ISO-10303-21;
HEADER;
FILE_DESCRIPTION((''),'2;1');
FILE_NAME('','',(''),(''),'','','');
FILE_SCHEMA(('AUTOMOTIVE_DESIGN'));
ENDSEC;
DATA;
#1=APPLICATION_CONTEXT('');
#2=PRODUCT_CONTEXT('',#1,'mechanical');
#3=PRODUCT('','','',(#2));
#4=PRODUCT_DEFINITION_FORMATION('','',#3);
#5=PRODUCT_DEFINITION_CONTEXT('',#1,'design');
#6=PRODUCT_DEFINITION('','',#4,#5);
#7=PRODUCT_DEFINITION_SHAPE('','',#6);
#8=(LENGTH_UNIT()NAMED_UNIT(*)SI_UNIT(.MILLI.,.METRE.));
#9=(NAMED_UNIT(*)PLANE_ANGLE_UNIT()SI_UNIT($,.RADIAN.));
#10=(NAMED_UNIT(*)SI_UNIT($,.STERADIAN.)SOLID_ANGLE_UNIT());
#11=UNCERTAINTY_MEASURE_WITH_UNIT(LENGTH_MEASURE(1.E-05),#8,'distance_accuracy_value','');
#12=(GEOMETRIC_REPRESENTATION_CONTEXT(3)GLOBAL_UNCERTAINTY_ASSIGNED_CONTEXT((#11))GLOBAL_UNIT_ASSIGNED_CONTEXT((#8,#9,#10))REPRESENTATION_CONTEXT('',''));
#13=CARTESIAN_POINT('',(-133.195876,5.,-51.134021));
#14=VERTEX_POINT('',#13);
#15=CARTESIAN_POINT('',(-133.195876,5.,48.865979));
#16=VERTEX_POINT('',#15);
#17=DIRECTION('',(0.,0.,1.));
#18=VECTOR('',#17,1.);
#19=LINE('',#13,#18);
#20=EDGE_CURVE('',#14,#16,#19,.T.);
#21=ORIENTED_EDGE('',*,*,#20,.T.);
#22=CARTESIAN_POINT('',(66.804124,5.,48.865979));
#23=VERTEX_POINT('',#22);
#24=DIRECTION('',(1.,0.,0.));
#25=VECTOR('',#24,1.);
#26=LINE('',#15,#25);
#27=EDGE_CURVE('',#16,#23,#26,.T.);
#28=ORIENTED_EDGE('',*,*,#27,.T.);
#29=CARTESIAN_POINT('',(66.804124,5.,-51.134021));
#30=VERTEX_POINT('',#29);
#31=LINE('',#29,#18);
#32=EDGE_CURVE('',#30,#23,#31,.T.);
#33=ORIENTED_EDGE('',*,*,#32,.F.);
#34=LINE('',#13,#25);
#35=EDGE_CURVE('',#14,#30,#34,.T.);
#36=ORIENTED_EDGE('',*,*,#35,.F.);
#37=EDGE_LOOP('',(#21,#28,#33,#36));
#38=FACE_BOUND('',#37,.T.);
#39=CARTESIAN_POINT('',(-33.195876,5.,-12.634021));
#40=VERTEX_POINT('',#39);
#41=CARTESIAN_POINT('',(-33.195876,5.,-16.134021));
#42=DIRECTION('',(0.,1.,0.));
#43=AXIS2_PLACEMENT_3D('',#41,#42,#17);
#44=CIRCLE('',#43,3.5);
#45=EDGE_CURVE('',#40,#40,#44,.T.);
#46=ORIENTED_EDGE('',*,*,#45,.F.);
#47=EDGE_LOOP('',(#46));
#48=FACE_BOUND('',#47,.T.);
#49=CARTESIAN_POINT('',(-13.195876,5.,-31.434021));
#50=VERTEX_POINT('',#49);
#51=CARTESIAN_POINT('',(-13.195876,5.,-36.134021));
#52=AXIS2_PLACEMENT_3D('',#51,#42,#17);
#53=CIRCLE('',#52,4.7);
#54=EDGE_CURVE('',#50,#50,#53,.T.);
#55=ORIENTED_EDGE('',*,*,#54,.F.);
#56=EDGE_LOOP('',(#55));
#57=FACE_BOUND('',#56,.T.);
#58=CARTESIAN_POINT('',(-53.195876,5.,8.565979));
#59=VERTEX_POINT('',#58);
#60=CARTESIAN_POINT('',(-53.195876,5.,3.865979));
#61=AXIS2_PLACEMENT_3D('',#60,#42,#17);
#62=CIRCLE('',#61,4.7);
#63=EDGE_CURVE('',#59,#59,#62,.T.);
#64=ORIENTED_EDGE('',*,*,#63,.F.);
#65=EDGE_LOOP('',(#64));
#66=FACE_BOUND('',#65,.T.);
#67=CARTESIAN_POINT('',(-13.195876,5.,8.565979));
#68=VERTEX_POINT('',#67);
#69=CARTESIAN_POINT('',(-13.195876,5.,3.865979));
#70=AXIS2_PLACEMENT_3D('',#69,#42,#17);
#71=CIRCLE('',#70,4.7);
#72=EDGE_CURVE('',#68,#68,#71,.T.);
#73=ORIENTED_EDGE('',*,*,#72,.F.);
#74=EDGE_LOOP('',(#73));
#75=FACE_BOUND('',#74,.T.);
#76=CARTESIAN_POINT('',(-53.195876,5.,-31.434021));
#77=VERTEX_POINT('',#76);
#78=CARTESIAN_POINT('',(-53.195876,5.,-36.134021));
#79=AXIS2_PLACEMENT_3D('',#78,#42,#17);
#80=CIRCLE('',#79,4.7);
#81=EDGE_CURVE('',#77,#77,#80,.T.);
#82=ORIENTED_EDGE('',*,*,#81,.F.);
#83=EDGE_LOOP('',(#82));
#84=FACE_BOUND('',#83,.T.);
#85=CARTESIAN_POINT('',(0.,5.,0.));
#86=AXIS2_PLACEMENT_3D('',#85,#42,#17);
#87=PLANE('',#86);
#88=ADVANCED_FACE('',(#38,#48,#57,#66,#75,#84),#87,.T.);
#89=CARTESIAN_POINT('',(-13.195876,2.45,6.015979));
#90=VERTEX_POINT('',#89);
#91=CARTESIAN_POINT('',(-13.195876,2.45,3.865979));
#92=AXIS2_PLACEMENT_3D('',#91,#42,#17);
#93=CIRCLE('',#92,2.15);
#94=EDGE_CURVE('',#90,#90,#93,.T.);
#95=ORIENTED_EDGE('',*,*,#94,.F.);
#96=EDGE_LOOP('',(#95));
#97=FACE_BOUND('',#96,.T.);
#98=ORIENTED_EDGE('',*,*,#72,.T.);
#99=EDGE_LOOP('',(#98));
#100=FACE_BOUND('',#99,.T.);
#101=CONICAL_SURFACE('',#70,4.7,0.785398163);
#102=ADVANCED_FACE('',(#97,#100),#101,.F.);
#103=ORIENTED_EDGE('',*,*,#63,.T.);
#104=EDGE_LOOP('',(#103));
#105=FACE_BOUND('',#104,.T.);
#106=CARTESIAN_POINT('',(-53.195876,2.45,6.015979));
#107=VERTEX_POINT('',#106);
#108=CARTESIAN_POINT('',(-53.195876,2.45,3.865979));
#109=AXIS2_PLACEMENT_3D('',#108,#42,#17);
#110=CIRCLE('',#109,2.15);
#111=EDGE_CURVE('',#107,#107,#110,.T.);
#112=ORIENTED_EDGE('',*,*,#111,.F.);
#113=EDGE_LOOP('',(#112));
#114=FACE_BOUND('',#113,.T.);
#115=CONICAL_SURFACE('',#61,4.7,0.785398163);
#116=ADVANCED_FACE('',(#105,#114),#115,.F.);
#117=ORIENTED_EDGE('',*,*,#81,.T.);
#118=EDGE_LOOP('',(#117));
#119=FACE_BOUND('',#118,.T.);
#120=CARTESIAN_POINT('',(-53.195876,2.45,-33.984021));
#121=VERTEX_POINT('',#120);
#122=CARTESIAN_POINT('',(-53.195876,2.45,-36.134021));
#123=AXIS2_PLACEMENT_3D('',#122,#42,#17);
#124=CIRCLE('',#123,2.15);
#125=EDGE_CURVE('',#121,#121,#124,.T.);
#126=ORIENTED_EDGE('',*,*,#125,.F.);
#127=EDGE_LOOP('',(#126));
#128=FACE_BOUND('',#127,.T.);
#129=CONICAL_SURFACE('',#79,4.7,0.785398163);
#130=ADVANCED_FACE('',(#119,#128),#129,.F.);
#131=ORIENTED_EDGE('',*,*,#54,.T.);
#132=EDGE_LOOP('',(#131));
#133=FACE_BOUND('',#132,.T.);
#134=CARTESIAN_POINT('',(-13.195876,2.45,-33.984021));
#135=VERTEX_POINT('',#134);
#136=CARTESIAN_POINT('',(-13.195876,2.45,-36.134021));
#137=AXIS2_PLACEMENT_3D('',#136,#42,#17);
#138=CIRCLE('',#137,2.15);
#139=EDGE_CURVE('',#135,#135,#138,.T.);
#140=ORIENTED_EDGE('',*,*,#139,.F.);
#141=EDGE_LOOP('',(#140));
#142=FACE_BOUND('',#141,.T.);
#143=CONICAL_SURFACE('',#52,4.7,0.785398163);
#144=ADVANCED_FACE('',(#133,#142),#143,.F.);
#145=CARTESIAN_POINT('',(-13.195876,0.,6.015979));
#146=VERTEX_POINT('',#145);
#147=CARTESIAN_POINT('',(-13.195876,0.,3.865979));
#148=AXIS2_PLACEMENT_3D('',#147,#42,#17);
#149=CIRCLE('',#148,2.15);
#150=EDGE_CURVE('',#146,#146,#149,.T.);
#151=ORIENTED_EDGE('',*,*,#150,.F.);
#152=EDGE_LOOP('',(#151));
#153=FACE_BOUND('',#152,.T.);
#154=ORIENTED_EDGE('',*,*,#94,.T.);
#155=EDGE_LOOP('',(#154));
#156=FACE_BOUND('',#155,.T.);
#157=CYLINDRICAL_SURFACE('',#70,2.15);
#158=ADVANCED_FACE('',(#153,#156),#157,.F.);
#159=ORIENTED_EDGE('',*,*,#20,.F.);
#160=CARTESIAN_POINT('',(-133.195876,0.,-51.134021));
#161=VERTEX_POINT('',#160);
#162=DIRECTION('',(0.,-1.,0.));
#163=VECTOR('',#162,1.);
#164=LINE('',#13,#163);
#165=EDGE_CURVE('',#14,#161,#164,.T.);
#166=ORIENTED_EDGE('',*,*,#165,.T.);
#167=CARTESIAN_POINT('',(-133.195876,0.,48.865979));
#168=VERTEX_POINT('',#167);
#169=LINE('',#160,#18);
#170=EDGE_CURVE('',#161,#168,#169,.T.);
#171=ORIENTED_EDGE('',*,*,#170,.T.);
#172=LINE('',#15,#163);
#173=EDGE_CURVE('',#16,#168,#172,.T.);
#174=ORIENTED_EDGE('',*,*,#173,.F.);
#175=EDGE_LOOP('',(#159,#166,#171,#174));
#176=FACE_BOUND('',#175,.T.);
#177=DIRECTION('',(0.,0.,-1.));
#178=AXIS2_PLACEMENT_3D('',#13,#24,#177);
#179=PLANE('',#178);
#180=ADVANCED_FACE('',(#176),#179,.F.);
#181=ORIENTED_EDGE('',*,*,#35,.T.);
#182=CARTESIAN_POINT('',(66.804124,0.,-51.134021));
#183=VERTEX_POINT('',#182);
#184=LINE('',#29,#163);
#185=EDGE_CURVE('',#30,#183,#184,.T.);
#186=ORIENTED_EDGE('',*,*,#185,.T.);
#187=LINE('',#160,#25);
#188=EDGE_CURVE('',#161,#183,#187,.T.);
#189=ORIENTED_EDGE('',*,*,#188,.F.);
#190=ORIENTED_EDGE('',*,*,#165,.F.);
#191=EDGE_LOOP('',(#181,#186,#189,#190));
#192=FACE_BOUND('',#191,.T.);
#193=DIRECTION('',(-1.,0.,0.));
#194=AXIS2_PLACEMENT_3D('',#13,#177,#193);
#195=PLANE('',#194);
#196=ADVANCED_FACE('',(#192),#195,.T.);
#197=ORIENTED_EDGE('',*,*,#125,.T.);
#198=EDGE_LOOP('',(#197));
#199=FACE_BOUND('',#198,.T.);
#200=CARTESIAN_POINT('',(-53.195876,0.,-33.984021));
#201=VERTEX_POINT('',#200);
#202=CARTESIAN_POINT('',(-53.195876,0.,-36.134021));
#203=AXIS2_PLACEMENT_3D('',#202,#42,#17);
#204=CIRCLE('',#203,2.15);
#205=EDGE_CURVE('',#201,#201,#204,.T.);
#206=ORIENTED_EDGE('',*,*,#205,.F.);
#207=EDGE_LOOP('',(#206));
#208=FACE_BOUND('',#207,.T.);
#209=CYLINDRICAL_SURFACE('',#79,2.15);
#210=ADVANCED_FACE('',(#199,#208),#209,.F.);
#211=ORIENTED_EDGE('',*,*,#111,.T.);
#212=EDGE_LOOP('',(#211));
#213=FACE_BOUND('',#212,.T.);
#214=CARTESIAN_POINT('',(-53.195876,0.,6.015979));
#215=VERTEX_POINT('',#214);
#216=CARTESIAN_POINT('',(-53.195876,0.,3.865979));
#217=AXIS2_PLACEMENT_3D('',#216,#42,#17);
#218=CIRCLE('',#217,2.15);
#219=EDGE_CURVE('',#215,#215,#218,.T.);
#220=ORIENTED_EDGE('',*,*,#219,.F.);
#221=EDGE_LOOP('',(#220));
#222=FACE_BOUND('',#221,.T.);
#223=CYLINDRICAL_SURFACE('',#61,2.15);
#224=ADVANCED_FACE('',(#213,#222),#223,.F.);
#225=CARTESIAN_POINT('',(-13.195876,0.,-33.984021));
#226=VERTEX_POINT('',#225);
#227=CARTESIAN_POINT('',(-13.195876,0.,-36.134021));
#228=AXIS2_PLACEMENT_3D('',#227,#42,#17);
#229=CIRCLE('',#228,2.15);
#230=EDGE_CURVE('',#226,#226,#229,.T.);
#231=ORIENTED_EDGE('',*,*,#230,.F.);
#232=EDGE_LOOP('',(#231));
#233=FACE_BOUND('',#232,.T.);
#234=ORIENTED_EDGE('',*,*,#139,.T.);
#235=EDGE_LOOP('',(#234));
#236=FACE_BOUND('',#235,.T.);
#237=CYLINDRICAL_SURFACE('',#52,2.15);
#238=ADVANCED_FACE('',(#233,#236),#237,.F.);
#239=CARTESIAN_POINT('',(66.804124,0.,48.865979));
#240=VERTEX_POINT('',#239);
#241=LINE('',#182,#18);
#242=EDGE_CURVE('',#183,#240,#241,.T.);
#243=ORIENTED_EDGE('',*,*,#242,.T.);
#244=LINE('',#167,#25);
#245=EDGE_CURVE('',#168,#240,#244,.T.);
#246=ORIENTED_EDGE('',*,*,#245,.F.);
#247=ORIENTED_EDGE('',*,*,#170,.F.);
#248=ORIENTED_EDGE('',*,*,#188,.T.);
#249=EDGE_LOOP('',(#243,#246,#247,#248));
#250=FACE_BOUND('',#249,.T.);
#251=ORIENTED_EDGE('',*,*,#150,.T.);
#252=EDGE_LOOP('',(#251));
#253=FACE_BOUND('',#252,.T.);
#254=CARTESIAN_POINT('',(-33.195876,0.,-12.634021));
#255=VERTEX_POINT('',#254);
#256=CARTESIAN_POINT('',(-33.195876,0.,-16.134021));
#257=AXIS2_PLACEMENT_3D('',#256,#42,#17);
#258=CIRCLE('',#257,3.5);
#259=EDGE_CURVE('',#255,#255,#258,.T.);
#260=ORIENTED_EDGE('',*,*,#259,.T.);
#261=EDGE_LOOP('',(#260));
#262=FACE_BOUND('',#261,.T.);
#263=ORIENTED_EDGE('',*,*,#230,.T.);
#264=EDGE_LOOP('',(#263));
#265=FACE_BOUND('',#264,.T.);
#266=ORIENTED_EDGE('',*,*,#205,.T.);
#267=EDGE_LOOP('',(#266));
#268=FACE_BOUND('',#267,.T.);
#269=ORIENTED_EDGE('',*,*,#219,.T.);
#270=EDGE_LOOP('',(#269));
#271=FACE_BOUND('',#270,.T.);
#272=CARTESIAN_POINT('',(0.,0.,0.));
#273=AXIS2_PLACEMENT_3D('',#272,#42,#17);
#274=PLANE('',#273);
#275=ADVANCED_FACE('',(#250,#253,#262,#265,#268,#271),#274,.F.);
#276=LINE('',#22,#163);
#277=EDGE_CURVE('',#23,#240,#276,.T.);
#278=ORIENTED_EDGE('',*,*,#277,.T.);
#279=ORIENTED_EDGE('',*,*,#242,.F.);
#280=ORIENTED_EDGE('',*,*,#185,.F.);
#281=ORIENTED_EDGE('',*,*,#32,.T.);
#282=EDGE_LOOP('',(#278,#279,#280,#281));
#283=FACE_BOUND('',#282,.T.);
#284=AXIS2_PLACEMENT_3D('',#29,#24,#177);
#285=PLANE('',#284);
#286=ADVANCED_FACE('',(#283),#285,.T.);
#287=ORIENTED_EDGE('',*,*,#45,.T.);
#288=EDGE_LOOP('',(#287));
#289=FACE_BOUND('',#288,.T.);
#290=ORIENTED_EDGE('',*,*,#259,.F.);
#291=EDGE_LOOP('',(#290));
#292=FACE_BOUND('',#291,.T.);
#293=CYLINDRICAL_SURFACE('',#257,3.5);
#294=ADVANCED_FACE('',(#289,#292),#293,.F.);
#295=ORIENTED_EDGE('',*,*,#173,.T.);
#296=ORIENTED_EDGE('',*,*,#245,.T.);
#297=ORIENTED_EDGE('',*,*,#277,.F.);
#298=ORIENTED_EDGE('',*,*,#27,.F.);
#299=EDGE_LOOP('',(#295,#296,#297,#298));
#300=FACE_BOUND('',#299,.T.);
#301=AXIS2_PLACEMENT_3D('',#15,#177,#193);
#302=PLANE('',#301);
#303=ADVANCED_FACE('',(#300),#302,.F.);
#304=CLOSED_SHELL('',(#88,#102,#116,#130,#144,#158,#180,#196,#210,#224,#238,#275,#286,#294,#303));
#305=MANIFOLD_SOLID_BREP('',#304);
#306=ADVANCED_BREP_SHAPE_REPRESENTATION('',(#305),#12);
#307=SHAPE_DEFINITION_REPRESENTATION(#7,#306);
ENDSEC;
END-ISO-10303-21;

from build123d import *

# Parameters (mm, degrees)
SKETCH1_W                                       = 200
SKETCH1_H                                       = 100
BOSS_EXTRUDE1_DEPTH                             = 5
CSK_FOR_M4_FLAT_HEAD_MACHINE_SCREW1_D           = 4.3
CSK_FOR_M4_FLAT_HEAD_MACHINE_SCREW1_DEPTH       = 6
CSK_FOR_M4_FLAT_HEAD_MACHINE_SCREW1_CSINK_D     = 9.4
CSK_FOR_M4_FLAT_HEAD_MACHINE_SCREW1_CSINK_ANGLE = 90
CSK_FOR_M4_FLAT_HEAD_MACHINE_SCREW1_TIP         = 1.291850331
SKETCH2_R                                       = 3.5
CUT_EXTRUDE1_DEPTH                              = 5


with BuildPart() as part:
    # Sketch1 → Boss-Extrude1 (new body)
    with BuildSketch(Plane(origin=(0, 0, 0), x_dir=(1, 0, 0), z_dir=(0, 1, 0))):
        with Locations((-33.195876289, 1.134020619)):
            Rectangle(SKETCH1_W, SKETCH1_H)
    extrude(amount=BOSS_EXTRUDE1_DEPTH)

    # CSK for M4 Flat Head Machine Screw1
    with Locations(Plane(origin=(-53.195876289, 5, -36.134020619), x_dir=(0, 0, 1), z_dir=(0, 1, 0))):
        with Locations((0, 0), (0, 40), (40, 40), (40, 0)):
            CounterSinkHole(CSK_FOR_M4_FLAT_HEAD_MACHINE_SCREW1_D / 2, CSK_FOR_M4_FLAT_HEAD_MACHINE_SCREW1_CSINK_D / 2, depth=CSK_FOR_M4_FLAT_HEAD_MACHINE_SCREW1_DEPTH, counter_sink_angle=CSK_FOR_M4_FLAT_HEAD_MACHINE_SCREW1_CSINK_ANGLE)
            with Locations((0, 0, -(CSK_FOR_M4_FLAT_HEAD_MACHINE_SCREW1_DEPTH + CSK_FOR_M4_FLAT_HEAD_MACHINE_SCREW1_TIP / 2))):  # 118° drill point
                Cone(0, CSK_FOR_M4_FLAT_HEAD_MACHINE_SCREW1_D / 2, CSK_FOR_M4_FLAT_HEAD_MACHINE_SCREW1_TIP, mode=Mode.SUBTRACT)

    # Sketch2 → Cut-Extrude1 (cut)
    with BuildSketch(Plane(origin=(0, 5, 0), x_dir=(1, 0, 0), z_dir=(0, 1, 0))):
        with Locations(Location((-33.195876289, 16.134020619, 0), (0, 0, 270))):
            Circle(SKETCH2_R)
    extrude(amount=-CUT_EXTRUDE1_DEPTH, mode=Mode.SUBTRACT)


solid = part.part
